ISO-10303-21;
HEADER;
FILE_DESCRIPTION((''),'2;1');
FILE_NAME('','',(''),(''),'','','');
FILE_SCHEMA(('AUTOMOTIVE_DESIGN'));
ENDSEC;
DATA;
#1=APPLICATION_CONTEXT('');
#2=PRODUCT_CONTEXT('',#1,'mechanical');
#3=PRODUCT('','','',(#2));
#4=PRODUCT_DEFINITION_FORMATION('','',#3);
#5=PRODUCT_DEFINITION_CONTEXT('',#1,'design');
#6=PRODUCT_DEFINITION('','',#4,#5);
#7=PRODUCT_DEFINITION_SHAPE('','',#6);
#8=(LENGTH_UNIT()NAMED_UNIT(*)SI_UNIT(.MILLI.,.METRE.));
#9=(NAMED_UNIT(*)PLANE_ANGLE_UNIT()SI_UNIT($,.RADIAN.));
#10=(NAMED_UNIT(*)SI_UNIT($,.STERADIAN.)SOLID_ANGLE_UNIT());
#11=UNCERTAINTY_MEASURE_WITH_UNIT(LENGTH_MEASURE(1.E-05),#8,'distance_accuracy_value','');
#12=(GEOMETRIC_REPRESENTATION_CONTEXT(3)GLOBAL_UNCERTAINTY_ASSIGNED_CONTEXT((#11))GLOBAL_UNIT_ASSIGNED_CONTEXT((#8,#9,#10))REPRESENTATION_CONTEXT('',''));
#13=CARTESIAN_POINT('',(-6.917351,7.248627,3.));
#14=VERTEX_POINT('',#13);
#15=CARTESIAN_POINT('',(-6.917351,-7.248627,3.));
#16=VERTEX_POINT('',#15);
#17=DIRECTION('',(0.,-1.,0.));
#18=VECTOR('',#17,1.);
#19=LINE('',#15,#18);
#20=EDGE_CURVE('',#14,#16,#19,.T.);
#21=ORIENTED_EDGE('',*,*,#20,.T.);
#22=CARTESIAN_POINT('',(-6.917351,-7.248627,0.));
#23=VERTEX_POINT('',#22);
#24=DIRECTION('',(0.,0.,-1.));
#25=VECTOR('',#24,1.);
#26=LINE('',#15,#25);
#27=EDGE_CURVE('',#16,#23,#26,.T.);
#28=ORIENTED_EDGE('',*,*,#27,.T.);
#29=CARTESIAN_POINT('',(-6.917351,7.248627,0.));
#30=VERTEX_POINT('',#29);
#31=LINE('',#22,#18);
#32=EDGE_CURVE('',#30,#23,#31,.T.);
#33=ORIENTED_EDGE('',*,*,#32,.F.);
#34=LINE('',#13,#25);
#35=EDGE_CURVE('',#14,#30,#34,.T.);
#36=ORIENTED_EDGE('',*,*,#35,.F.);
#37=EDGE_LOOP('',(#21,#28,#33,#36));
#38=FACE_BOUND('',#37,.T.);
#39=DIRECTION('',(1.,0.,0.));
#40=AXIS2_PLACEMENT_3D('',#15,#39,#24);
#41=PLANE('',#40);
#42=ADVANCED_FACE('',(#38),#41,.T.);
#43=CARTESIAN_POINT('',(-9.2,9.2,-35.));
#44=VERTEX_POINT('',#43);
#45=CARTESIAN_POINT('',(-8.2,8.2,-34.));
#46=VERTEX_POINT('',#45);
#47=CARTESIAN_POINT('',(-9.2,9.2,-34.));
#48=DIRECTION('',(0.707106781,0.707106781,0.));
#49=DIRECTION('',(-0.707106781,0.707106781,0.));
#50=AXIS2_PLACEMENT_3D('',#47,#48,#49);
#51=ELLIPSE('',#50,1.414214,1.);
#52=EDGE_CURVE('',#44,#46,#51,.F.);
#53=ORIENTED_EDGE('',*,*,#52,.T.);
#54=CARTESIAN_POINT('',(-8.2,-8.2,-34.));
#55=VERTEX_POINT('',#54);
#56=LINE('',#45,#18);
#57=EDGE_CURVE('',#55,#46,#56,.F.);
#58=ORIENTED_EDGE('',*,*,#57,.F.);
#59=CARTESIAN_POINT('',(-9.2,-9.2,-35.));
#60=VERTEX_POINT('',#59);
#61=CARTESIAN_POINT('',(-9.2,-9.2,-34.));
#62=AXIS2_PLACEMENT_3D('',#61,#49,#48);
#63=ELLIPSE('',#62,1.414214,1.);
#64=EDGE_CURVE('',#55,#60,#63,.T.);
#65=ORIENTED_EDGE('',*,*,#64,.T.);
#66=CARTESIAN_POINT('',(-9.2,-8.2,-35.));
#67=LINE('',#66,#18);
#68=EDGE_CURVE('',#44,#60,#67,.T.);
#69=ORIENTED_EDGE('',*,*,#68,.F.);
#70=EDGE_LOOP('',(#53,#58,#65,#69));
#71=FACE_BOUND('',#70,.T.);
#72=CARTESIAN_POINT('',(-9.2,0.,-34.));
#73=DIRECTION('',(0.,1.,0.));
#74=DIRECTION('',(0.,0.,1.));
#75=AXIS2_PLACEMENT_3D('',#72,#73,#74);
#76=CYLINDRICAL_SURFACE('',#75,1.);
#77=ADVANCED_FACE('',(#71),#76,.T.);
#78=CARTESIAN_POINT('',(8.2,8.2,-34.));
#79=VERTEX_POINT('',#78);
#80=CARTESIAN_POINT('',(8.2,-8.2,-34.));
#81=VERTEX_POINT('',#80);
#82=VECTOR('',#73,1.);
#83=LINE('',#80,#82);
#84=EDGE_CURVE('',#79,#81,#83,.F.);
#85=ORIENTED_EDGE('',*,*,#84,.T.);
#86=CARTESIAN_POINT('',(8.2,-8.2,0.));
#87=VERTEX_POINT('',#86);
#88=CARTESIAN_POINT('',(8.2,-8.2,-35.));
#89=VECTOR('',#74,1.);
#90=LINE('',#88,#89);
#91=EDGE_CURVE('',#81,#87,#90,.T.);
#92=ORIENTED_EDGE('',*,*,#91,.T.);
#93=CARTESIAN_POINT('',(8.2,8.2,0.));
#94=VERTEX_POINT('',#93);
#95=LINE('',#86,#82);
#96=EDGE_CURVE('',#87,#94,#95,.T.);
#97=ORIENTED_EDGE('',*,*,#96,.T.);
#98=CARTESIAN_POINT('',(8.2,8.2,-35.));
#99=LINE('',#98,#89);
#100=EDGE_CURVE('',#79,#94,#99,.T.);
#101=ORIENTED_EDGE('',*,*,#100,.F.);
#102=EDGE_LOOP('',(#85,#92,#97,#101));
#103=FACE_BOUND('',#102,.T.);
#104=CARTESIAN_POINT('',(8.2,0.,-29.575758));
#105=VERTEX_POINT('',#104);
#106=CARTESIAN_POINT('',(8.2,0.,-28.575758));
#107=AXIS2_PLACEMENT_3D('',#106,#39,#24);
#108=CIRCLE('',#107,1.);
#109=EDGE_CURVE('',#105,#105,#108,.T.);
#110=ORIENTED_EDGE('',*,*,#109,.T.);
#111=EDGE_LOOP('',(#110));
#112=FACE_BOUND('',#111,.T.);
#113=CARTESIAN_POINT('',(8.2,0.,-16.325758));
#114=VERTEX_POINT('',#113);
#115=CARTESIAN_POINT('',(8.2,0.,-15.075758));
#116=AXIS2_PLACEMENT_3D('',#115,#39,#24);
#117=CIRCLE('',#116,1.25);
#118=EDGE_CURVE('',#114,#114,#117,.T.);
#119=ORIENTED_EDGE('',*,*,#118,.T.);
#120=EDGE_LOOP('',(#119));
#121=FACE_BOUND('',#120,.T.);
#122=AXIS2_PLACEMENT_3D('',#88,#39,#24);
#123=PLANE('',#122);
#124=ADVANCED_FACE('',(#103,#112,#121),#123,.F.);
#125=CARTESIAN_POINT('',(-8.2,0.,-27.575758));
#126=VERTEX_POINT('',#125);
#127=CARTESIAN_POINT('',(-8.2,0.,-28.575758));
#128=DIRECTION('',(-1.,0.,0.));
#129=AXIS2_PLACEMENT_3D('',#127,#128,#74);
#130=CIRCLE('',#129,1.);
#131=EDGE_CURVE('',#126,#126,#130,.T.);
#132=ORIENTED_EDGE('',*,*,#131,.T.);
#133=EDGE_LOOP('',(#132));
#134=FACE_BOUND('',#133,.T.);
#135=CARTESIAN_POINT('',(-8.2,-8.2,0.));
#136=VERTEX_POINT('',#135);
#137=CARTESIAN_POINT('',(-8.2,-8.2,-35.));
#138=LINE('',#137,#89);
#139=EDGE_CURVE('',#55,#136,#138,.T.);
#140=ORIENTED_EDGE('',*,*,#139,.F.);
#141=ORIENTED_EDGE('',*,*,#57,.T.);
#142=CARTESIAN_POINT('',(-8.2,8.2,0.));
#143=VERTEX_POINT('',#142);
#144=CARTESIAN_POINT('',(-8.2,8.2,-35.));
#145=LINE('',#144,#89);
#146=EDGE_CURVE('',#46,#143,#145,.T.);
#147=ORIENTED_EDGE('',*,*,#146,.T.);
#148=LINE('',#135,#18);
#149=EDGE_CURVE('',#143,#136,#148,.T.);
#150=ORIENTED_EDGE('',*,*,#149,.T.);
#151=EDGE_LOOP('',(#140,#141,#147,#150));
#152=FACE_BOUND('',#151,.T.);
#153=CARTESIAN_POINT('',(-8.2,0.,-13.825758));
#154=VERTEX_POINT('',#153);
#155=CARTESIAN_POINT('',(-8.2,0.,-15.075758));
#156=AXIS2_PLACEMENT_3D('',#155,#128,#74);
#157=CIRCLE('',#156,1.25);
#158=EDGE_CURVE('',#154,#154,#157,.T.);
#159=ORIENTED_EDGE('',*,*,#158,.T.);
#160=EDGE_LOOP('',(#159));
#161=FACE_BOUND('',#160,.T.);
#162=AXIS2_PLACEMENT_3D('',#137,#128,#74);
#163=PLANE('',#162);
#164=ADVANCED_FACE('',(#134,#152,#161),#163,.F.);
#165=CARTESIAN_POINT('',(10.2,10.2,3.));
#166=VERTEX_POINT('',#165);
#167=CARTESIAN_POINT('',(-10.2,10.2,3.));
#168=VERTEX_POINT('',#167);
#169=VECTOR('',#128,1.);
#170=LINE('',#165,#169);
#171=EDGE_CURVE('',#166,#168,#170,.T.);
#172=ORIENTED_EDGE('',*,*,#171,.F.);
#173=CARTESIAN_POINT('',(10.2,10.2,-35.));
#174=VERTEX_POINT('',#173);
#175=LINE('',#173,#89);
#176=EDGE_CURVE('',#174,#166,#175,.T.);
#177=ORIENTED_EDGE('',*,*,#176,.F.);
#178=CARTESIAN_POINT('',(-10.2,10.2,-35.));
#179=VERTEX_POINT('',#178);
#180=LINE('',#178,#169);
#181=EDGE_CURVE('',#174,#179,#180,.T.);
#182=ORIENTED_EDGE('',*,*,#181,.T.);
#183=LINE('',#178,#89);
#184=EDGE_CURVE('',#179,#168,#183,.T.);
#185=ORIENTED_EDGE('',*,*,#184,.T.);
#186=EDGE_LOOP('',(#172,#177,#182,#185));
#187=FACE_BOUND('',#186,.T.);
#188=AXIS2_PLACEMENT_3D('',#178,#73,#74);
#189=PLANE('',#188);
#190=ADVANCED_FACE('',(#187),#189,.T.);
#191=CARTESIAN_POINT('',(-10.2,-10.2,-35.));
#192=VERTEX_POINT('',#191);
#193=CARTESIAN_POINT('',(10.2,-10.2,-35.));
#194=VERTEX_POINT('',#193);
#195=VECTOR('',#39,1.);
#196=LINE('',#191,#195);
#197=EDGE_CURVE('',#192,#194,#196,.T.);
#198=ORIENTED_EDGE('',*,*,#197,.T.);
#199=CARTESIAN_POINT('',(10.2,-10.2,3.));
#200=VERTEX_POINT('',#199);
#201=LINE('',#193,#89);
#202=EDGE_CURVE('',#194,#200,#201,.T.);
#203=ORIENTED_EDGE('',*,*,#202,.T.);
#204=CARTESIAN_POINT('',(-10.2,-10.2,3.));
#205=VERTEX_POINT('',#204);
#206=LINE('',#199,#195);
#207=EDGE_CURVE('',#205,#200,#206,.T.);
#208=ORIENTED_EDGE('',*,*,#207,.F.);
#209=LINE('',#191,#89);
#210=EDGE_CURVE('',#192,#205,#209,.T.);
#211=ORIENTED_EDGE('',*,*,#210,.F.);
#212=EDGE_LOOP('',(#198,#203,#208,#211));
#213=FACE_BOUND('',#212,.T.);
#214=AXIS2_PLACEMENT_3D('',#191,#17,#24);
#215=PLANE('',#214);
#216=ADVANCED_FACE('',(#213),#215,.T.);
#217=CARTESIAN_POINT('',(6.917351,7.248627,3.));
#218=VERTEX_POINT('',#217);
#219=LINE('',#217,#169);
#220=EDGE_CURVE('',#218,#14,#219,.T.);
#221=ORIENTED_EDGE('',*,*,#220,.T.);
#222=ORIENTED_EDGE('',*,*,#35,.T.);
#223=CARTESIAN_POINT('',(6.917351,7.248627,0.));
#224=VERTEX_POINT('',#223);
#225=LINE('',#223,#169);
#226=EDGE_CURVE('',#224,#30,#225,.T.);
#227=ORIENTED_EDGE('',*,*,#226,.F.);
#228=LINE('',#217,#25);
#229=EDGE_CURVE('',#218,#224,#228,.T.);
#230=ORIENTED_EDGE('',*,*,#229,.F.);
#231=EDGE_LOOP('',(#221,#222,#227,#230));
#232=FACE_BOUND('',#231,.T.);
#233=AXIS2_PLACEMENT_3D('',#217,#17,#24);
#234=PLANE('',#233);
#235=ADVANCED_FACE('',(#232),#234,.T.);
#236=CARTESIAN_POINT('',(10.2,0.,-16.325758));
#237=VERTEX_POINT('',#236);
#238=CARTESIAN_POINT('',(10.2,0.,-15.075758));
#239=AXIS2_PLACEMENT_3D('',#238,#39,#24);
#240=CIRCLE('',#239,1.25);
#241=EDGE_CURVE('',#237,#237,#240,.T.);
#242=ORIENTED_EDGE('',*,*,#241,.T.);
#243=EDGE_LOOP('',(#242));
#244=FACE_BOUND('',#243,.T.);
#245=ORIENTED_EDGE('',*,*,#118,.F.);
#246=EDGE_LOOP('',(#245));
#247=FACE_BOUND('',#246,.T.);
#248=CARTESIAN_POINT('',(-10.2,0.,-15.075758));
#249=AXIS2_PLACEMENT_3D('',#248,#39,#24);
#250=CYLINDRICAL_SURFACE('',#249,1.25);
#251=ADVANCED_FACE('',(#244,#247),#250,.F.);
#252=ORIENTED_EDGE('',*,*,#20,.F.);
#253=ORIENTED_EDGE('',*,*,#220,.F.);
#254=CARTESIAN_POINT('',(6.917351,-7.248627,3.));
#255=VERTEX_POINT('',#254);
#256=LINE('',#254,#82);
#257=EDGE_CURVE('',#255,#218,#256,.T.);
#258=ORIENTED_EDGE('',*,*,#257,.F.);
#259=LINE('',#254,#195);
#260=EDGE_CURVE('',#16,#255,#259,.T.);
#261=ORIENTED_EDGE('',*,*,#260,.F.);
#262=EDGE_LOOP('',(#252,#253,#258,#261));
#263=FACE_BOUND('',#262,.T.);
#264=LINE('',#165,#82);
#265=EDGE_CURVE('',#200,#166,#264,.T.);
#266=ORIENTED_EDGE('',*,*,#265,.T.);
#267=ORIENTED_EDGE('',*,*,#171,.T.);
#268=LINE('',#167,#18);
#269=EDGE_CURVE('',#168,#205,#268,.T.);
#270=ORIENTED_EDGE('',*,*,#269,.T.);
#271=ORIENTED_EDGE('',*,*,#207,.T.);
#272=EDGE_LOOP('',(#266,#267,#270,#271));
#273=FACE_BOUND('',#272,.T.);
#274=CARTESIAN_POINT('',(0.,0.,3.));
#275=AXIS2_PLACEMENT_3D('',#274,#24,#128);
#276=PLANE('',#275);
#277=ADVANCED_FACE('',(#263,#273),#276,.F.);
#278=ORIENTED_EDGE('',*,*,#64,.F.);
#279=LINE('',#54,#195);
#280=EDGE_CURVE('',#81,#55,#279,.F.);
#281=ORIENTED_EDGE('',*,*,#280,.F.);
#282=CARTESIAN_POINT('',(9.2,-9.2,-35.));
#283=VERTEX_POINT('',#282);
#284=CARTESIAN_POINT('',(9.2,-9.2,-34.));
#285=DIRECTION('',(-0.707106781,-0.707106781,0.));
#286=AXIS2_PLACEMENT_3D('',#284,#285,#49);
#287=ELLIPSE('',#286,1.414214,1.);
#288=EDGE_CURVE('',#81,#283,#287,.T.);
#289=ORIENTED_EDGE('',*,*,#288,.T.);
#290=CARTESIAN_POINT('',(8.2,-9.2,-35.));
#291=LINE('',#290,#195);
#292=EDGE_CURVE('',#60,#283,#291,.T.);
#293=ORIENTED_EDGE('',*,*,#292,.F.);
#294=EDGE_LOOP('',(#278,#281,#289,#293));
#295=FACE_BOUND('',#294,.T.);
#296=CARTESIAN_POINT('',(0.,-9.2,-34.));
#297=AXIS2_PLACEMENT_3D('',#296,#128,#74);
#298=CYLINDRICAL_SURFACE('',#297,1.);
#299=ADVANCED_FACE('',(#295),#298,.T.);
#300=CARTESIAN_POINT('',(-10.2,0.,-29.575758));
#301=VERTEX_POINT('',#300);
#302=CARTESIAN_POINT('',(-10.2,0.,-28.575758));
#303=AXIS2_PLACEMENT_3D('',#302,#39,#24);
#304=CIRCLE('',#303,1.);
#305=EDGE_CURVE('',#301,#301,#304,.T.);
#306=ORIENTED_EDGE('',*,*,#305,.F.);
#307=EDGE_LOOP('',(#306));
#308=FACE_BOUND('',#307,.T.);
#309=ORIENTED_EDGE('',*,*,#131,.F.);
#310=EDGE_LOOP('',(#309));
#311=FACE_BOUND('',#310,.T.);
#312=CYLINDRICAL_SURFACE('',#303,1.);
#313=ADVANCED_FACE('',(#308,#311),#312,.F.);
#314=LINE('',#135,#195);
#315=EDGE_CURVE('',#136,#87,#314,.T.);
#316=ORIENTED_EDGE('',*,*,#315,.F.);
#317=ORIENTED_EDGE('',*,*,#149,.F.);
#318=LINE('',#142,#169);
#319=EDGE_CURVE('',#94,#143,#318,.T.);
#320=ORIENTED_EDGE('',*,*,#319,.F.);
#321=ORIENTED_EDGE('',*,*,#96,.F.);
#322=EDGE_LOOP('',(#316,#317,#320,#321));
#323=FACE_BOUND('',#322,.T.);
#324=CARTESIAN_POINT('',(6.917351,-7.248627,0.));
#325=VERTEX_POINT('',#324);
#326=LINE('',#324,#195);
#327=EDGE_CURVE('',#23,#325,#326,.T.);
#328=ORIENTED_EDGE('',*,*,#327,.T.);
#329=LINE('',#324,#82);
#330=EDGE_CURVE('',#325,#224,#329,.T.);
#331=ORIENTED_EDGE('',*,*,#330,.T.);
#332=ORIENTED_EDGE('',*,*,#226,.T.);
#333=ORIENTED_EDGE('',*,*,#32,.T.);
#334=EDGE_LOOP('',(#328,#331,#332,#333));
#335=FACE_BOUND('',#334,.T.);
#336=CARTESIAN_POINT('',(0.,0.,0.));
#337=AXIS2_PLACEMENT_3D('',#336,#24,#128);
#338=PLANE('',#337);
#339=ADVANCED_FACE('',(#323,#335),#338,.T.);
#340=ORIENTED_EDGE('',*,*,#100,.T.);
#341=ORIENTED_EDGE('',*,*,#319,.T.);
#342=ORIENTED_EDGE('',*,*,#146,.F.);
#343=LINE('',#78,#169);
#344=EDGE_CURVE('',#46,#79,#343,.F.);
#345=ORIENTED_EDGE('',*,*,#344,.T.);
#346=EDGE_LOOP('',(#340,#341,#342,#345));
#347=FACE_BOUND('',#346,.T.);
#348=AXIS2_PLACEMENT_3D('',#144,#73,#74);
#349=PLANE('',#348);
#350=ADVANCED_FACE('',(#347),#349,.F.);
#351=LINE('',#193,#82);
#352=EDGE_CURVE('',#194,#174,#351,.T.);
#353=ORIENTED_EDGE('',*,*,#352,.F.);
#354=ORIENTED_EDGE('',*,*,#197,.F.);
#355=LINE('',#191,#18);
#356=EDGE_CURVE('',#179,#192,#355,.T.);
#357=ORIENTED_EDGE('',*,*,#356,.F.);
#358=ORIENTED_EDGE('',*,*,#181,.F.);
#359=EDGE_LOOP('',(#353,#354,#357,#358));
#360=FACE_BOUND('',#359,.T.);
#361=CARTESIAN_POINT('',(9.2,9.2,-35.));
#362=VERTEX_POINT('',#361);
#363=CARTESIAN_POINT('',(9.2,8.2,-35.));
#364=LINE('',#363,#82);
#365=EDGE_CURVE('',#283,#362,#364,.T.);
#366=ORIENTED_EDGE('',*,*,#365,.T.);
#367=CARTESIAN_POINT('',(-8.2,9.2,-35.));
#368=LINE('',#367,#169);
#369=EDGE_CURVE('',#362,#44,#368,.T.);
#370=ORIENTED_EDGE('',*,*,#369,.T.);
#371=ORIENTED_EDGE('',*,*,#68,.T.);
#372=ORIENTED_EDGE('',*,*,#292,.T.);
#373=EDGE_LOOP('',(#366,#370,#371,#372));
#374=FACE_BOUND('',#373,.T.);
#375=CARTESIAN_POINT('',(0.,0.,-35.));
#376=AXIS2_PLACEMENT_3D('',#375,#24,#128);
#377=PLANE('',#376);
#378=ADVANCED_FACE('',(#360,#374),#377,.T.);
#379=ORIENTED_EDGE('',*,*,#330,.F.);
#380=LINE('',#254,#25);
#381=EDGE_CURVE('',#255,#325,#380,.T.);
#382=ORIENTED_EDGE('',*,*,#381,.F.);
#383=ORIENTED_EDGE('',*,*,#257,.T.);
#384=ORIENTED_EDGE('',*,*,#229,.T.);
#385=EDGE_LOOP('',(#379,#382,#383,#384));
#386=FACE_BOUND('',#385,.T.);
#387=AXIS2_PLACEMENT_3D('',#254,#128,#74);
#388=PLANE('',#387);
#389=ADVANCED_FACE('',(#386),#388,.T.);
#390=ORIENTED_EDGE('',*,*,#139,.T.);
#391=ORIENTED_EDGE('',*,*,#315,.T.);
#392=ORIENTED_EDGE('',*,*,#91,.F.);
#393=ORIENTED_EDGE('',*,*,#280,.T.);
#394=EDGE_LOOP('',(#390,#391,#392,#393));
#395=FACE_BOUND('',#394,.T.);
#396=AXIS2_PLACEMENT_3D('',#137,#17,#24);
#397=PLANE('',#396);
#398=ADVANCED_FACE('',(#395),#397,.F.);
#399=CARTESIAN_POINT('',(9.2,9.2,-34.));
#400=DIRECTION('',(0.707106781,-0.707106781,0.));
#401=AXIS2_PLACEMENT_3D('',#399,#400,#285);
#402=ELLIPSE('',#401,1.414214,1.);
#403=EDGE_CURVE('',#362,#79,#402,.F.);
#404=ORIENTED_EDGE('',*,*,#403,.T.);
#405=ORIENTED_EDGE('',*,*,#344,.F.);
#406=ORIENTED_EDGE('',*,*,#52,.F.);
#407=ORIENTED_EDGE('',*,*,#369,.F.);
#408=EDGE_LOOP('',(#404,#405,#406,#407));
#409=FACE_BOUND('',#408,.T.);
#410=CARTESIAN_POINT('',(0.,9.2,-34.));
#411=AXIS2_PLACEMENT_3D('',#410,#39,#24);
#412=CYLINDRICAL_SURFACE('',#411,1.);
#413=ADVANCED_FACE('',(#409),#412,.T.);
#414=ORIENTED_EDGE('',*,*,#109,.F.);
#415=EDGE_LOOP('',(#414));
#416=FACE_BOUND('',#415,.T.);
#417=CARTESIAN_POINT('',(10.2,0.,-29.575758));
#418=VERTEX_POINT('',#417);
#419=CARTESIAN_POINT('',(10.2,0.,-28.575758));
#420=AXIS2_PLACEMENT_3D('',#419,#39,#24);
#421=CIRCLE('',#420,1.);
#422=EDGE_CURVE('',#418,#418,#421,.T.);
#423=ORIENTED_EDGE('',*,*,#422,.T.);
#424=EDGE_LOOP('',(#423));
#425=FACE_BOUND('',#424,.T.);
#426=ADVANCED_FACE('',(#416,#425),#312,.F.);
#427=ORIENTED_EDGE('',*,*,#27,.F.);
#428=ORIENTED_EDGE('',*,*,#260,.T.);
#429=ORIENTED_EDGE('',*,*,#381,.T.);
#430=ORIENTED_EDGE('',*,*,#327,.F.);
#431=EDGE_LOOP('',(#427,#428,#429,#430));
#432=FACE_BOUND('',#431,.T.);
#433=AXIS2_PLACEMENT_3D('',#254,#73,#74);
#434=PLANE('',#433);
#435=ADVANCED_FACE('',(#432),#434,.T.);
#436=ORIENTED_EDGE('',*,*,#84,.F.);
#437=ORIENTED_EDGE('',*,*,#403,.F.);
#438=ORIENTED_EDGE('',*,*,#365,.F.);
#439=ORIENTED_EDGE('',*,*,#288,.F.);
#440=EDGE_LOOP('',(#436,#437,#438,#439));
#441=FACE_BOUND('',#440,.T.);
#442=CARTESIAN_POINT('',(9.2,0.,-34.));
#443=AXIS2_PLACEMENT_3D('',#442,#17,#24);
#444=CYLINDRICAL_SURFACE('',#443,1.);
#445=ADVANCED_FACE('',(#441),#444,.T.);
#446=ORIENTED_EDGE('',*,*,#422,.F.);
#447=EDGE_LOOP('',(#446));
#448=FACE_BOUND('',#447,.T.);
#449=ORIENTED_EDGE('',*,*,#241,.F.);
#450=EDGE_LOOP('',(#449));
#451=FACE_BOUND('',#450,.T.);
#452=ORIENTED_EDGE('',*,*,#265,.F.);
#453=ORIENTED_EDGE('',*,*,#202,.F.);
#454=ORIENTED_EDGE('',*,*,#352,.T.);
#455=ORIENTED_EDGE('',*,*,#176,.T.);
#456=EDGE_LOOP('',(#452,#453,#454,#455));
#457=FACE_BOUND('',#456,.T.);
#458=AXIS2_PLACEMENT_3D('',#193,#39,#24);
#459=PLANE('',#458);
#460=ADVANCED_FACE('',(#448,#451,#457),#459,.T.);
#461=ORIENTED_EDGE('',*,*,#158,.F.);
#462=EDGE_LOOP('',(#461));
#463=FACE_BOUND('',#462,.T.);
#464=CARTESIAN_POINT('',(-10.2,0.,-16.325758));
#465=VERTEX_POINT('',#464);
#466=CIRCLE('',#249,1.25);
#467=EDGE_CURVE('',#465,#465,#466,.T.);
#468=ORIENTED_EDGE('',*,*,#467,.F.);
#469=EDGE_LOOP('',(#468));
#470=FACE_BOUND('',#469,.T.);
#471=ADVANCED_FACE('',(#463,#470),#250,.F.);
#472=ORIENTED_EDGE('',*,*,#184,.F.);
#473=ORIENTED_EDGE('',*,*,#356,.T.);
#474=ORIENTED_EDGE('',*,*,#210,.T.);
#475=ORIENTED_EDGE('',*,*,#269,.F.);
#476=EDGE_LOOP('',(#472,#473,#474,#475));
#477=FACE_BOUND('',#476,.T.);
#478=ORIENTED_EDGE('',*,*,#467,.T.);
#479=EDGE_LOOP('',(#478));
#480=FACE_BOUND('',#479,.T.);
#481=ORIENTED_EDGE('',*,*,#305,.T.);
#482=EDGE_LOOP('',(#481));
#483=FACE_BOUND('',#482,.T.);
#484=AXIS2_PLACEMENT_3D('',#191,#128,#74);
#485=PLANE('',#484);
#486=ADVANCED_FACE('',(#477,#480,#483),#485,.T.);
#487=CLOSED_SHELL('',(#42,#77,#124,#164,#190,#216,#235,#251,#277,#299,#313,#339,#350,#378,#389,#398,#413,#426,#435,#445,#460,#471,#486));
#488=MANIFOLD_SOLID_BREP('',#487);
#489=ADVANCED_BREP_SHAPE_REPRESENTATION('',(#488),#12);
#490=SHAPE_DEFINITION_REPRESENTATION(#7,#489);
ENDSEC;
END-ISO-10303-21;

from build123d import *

# Parameters (mm, degrees)
SKETCH1_W           = 20.4
SKETCH1_H           = 20.4
SKETCH1_W_2         = 16.4
SKETCH1_H_2         = 16.4
BOSS_EXTRUDE1_DEPTH = 35
SKETCH2_W           = 20.4
SKETCH2_H           = 20.4
SKETCH2_W_2         = 13.834702386
SKETCH2_H_2         = 14.497254018
BOSS_EXTRUDE2_DEPTH = 3
SKETCH3_R           = 1.25
SKETCH3_R_2         = 1
CUT_EXTRUDE1_DEPTH  = 42.775590959
FILLET1_R           = 1


with BuildPart() as part:
    # Sketch1 → Boss-Extrude1 (new body)
    with BuildSketch(Plane.XY):
        Rectangle(SKETCH1_W, SKETCH1_H)
        Rectangle(SKETCH1_W_2, SKETCH1_H_2, mode=Mode.SUBTRACT)
    extrude(amount=-BOSS_EXTRUDE1_DEPTH)

    # Sketch2 → Boss-Extrude2 (add)
    with BuildSketch(Plane.XY):
        Rectangle(SKETCH2_W, SKETCH2_H)
        Rectangle(SKETCH2_W_2, SKETCH2_H_2, mode=Mode.SUBTRACT)
    extrude(amount=BOSS_EXTRUDE2_DEPTH)

    # Sketch3 → Cut-Extrude1 (cut, through all)
    with BuildSketch(Plane(origin=(10.2, 0, 0), x_dir=(0, 0, -1), z_dir=(1, 0, 0))):
        with Locations((15.075758147, 0)):
            Circle(SKETCH3_R)
        with Locations((28.575758147, 0)):
            Circle(SKETCH3_R_2)
    extrude(amount=-CUT_EXTRUDE1_DEPTH, mode=Mode.SUBTRACT)

    # Fillet1
    fillet1_edges = [part.edges().sort_by_distance(p)[0] for p in [
        (8.2, 0, -35),
        (0, -8.2, -35),
        (-8.2, 0, -35),
        (0, 8.2, -35),
    ]]
    fillet(fillet1_edges, radius=FILLET1_R)


solid = part.part
